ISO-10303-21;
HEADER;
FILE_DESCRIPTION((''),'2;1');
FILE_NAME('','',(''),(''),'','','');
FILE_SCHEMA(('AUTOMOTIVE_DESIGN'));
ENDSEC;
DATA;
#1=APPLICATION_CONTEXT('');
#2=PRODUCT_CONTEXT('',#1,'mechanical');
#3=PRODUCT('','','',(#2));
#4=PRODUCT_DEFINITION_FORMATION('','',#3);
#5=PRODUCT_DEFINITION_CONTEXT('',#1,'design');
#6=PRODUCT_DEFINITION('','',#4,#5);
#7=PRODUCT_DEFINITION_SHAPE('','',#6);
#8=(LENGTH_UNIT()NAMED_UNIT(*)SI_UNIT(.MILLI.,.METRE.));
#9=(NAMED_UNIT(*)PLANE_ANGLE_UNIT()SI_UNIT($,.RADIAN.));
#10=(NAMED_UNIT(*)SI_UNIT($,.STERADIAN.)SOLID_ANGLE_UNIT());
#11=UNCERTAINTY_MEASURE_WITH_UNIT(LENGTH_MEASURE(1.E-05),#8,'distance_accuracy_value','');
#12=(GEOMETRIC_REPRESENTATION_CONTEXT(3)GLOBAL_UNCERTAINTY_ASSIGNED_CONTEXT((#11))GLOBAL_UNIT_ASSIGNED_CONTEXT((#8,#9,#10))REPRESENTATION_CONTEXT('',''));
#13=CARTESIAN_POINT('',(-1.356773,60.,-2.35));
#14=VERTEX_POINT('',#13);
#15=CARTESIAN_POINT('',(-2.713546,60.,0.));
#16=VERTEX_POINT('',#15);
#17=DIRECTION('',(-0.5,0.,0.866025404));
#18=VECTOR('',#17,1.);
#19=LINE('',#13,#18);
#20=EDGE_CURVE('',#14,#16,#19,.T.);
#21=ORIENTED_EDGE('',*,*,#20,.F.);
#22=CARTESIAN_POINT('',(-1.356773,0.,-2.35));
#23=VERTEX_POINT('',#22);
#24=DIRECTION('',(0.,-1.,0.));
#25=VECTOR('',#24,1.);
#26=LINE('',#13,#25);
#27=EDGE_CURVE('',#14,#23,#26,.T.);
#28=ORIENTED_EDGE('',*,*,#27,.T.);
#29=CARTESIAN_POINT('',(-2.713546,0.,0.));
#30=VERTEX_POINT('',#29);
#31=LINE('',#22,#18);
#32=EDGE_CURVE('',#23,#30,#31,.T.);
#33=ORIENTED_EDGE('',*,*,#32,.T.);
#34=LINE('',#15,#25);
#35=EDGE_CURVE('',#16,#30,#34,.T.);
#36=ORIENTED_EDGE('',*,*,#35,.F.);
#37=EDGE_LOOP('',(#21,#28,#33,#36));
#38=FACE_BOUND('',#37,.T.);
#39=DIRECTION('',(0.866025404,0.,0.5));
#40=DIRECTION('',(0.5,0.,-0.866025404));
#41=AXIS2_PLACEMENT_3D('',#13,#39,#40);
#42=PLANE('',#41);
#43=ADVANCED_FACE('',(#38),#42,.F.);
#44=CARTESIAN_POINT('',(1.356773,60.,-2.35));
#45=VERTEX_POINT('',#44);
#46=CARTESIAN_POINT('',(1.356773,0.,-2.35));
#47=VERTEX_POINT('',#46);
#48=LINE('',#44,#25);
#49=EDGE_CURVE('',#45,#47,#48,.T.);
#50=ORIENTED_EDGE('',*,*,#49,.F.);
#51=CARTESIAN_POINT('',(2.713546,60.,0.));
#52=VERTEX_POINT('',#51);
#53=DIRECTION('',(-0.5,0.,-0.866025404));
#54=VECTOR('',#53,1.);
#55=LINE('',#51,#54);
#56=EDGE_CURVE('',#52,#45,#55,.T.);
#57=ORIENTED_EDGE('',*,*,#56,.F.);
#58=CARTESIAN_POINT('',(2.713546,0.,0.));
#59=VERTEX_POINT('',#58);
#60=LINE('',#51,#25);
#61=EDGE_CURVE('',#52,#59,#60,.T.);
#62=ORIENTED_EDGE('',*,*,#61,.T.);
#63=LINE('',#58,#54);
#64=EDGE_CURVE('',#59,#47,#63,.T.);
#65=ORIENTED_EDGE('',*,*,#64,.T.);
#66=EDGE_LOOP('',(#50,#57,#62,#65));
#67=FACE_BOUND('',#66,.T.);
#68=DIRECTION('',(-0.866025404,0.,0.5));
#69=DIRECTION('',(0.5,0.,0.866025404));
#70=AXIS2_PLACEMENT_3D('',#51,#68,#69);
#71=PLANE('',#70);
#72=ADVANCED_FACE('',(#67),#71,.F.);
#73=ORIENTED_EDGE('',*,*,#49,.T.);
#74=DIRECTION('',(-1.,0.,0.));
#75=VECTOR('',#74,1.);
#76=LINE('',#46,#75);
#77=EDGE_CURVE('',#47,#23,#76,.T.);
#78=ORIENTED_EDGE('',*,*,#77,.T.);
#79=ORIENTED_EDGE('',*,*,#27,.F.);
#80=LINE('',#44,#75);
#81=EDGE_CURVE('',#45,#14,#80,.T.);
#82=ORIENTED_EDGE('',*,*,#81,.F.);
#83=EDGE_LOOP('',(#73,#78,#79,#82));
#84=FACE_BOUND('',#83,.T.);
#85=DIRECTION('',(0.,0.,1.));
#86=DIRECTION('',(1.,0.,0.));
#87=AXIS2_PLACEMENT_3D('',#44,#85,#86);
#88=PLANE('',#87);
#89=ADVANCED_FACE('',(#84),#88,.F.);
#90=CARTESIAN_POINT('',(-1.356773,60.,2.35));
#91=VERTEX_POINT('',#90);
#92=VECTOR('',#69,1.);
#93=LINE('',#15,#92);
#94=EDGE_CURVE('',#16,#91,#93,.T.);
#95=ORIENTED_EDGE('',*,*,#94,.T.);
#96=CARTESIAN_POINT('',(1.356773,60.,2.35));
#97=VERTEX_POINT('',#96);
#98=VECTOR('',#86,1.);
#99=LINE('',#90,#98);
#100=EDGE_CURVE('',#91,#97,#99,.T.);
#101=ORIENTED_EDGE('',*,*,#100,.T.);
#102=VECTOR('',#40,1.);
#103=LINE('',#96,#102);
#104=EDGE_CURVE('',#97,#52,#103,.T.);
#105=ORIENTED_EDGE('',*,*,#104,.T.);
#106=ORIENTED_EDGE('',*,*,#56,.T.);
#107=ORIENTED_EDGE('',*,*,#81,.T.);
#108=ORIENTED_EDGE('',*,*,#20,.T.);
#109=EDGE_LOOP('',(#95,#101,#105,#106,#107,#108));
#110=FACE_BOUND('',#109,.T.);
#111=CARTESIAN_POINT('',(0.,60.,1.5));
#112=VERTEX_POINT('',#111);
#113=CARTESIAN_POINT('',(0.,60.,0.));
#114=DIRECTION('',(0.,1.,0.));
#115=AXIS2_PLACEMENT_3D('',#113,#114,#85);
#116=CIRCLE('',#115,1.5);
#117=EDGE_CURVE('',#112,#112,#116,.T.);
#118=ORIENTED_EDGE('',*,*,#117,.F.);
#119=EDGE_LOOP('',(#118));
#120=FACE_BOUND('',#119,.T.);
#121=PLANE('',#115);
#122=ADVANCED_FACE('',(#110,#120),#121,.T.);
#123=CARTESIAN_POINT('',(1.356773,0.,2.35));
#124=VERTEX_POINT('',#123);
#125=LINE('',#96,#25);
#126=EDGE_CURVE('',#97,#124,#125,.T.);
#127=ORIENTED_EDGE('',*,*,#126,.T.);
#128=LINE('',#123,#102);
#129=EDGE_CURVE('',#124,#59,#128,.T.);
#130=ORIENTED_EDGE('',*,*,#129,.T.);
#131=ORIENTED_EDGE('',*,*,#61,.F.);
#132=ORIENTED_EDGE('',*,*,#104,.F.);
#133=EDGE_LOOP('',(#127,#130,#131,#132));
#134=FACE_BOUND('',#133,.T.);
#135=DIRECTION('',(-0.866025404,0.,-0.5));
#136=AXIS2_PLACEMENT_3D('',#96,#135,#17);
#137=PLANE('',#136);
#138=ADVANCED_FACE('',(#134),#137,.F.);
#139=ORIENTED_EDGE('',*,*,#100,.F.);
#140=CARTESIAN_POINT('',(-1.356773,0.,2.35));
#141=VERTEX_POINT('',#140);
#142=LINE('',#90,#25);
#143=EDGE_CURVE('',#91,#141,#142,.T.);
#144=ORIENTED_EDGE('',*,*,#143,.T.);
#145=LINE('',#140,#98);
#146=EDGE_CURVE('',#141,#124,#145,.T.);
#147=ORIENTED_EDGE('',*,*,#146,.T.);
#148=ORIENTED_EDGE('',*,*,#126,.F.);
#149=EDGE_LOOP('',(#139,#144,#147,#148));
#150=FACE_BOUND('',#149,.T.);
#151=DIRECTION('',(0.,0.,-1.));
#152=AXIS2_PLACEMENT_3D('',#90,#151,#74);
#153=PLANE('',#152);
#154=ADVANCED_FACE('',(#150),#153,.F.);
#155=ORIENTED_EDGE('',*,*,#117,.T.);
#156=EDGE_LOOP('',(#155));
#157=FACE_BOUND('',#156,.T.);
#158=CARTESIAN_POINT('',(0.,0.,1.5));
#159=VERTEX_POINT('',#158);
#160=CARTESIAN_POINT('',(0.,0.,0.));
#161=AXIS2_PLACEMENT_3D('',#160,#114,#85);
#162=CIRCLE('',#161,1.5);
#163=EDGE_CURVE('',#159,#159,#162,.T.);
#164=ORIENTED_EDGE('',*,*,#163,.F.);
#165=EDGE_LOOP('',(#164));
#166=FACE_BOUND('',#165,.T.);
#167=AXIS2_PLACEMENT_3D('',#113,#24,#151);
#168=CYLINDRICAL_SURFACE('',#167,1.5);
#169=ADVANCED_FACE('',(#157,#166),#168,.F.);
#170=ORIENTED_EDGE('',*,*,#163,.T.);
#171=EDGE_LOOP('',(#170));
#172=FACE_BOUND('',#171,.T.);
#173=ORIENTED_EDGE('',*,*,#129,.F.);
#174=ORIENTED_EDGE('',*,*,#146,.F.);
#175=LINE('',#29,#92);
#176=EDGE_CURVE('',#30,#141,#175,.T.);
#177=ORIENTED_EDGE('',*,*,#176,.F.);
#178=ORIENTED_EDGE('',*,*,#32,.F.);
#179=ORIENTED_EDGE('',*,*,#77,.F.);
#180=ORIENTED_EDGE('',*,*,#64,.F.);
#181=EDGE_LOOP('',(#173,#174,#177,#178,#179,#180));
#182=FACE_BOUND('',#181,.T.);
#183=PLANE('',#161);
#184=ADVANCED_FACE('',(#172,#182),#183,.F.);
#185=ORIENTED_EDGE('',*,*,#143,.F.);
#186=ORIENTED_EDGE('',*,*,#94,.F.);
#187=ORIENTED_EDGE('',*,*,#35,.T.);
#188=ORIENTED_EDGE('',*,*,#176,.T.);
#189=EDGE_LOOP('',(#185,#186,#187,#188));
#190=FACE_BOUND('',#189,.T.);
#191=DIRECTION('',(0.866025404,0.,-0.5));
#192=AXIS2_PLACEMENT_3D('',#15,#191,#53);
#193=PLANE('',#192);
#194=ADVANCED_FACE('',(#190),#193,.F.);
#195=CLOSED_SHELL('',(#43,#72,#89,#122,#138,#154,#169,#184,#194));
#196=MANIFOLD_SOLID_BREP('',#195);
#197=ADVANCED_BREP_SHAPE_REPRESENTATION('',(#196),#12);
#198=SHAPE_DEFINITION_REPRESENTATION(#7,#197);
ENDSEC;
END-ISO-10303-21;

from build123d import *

# Parameters (mm, degrees)
SKETCH_1_R      = 1.5
EXTRUDE_1_DEPTH = 60


with BuildPart() as part:
    # 草图1 → 凸台-拉伸1 (new body)
    with BuildSketch(Plane(origin=(0, 0, 0), x_dir=(1, 0, 0), z_dir=(0, 1, 0))):
        Polygon((2.713546265, 0), (1.356773133, 2.35), (-1.356773133, 2.35), (-2.713546265, 0), (-1.356773133, -2.35), (1.356773133, -2.35), align=None)
        with Locations(Location((0, 0, 0), (0, 0, 270))):
            Circle(SKETCH_1_R, mode=Mode.SUBTRACT)
    extrude(amount=EXTRUDE_1_DEPTH)


solid = part.part
